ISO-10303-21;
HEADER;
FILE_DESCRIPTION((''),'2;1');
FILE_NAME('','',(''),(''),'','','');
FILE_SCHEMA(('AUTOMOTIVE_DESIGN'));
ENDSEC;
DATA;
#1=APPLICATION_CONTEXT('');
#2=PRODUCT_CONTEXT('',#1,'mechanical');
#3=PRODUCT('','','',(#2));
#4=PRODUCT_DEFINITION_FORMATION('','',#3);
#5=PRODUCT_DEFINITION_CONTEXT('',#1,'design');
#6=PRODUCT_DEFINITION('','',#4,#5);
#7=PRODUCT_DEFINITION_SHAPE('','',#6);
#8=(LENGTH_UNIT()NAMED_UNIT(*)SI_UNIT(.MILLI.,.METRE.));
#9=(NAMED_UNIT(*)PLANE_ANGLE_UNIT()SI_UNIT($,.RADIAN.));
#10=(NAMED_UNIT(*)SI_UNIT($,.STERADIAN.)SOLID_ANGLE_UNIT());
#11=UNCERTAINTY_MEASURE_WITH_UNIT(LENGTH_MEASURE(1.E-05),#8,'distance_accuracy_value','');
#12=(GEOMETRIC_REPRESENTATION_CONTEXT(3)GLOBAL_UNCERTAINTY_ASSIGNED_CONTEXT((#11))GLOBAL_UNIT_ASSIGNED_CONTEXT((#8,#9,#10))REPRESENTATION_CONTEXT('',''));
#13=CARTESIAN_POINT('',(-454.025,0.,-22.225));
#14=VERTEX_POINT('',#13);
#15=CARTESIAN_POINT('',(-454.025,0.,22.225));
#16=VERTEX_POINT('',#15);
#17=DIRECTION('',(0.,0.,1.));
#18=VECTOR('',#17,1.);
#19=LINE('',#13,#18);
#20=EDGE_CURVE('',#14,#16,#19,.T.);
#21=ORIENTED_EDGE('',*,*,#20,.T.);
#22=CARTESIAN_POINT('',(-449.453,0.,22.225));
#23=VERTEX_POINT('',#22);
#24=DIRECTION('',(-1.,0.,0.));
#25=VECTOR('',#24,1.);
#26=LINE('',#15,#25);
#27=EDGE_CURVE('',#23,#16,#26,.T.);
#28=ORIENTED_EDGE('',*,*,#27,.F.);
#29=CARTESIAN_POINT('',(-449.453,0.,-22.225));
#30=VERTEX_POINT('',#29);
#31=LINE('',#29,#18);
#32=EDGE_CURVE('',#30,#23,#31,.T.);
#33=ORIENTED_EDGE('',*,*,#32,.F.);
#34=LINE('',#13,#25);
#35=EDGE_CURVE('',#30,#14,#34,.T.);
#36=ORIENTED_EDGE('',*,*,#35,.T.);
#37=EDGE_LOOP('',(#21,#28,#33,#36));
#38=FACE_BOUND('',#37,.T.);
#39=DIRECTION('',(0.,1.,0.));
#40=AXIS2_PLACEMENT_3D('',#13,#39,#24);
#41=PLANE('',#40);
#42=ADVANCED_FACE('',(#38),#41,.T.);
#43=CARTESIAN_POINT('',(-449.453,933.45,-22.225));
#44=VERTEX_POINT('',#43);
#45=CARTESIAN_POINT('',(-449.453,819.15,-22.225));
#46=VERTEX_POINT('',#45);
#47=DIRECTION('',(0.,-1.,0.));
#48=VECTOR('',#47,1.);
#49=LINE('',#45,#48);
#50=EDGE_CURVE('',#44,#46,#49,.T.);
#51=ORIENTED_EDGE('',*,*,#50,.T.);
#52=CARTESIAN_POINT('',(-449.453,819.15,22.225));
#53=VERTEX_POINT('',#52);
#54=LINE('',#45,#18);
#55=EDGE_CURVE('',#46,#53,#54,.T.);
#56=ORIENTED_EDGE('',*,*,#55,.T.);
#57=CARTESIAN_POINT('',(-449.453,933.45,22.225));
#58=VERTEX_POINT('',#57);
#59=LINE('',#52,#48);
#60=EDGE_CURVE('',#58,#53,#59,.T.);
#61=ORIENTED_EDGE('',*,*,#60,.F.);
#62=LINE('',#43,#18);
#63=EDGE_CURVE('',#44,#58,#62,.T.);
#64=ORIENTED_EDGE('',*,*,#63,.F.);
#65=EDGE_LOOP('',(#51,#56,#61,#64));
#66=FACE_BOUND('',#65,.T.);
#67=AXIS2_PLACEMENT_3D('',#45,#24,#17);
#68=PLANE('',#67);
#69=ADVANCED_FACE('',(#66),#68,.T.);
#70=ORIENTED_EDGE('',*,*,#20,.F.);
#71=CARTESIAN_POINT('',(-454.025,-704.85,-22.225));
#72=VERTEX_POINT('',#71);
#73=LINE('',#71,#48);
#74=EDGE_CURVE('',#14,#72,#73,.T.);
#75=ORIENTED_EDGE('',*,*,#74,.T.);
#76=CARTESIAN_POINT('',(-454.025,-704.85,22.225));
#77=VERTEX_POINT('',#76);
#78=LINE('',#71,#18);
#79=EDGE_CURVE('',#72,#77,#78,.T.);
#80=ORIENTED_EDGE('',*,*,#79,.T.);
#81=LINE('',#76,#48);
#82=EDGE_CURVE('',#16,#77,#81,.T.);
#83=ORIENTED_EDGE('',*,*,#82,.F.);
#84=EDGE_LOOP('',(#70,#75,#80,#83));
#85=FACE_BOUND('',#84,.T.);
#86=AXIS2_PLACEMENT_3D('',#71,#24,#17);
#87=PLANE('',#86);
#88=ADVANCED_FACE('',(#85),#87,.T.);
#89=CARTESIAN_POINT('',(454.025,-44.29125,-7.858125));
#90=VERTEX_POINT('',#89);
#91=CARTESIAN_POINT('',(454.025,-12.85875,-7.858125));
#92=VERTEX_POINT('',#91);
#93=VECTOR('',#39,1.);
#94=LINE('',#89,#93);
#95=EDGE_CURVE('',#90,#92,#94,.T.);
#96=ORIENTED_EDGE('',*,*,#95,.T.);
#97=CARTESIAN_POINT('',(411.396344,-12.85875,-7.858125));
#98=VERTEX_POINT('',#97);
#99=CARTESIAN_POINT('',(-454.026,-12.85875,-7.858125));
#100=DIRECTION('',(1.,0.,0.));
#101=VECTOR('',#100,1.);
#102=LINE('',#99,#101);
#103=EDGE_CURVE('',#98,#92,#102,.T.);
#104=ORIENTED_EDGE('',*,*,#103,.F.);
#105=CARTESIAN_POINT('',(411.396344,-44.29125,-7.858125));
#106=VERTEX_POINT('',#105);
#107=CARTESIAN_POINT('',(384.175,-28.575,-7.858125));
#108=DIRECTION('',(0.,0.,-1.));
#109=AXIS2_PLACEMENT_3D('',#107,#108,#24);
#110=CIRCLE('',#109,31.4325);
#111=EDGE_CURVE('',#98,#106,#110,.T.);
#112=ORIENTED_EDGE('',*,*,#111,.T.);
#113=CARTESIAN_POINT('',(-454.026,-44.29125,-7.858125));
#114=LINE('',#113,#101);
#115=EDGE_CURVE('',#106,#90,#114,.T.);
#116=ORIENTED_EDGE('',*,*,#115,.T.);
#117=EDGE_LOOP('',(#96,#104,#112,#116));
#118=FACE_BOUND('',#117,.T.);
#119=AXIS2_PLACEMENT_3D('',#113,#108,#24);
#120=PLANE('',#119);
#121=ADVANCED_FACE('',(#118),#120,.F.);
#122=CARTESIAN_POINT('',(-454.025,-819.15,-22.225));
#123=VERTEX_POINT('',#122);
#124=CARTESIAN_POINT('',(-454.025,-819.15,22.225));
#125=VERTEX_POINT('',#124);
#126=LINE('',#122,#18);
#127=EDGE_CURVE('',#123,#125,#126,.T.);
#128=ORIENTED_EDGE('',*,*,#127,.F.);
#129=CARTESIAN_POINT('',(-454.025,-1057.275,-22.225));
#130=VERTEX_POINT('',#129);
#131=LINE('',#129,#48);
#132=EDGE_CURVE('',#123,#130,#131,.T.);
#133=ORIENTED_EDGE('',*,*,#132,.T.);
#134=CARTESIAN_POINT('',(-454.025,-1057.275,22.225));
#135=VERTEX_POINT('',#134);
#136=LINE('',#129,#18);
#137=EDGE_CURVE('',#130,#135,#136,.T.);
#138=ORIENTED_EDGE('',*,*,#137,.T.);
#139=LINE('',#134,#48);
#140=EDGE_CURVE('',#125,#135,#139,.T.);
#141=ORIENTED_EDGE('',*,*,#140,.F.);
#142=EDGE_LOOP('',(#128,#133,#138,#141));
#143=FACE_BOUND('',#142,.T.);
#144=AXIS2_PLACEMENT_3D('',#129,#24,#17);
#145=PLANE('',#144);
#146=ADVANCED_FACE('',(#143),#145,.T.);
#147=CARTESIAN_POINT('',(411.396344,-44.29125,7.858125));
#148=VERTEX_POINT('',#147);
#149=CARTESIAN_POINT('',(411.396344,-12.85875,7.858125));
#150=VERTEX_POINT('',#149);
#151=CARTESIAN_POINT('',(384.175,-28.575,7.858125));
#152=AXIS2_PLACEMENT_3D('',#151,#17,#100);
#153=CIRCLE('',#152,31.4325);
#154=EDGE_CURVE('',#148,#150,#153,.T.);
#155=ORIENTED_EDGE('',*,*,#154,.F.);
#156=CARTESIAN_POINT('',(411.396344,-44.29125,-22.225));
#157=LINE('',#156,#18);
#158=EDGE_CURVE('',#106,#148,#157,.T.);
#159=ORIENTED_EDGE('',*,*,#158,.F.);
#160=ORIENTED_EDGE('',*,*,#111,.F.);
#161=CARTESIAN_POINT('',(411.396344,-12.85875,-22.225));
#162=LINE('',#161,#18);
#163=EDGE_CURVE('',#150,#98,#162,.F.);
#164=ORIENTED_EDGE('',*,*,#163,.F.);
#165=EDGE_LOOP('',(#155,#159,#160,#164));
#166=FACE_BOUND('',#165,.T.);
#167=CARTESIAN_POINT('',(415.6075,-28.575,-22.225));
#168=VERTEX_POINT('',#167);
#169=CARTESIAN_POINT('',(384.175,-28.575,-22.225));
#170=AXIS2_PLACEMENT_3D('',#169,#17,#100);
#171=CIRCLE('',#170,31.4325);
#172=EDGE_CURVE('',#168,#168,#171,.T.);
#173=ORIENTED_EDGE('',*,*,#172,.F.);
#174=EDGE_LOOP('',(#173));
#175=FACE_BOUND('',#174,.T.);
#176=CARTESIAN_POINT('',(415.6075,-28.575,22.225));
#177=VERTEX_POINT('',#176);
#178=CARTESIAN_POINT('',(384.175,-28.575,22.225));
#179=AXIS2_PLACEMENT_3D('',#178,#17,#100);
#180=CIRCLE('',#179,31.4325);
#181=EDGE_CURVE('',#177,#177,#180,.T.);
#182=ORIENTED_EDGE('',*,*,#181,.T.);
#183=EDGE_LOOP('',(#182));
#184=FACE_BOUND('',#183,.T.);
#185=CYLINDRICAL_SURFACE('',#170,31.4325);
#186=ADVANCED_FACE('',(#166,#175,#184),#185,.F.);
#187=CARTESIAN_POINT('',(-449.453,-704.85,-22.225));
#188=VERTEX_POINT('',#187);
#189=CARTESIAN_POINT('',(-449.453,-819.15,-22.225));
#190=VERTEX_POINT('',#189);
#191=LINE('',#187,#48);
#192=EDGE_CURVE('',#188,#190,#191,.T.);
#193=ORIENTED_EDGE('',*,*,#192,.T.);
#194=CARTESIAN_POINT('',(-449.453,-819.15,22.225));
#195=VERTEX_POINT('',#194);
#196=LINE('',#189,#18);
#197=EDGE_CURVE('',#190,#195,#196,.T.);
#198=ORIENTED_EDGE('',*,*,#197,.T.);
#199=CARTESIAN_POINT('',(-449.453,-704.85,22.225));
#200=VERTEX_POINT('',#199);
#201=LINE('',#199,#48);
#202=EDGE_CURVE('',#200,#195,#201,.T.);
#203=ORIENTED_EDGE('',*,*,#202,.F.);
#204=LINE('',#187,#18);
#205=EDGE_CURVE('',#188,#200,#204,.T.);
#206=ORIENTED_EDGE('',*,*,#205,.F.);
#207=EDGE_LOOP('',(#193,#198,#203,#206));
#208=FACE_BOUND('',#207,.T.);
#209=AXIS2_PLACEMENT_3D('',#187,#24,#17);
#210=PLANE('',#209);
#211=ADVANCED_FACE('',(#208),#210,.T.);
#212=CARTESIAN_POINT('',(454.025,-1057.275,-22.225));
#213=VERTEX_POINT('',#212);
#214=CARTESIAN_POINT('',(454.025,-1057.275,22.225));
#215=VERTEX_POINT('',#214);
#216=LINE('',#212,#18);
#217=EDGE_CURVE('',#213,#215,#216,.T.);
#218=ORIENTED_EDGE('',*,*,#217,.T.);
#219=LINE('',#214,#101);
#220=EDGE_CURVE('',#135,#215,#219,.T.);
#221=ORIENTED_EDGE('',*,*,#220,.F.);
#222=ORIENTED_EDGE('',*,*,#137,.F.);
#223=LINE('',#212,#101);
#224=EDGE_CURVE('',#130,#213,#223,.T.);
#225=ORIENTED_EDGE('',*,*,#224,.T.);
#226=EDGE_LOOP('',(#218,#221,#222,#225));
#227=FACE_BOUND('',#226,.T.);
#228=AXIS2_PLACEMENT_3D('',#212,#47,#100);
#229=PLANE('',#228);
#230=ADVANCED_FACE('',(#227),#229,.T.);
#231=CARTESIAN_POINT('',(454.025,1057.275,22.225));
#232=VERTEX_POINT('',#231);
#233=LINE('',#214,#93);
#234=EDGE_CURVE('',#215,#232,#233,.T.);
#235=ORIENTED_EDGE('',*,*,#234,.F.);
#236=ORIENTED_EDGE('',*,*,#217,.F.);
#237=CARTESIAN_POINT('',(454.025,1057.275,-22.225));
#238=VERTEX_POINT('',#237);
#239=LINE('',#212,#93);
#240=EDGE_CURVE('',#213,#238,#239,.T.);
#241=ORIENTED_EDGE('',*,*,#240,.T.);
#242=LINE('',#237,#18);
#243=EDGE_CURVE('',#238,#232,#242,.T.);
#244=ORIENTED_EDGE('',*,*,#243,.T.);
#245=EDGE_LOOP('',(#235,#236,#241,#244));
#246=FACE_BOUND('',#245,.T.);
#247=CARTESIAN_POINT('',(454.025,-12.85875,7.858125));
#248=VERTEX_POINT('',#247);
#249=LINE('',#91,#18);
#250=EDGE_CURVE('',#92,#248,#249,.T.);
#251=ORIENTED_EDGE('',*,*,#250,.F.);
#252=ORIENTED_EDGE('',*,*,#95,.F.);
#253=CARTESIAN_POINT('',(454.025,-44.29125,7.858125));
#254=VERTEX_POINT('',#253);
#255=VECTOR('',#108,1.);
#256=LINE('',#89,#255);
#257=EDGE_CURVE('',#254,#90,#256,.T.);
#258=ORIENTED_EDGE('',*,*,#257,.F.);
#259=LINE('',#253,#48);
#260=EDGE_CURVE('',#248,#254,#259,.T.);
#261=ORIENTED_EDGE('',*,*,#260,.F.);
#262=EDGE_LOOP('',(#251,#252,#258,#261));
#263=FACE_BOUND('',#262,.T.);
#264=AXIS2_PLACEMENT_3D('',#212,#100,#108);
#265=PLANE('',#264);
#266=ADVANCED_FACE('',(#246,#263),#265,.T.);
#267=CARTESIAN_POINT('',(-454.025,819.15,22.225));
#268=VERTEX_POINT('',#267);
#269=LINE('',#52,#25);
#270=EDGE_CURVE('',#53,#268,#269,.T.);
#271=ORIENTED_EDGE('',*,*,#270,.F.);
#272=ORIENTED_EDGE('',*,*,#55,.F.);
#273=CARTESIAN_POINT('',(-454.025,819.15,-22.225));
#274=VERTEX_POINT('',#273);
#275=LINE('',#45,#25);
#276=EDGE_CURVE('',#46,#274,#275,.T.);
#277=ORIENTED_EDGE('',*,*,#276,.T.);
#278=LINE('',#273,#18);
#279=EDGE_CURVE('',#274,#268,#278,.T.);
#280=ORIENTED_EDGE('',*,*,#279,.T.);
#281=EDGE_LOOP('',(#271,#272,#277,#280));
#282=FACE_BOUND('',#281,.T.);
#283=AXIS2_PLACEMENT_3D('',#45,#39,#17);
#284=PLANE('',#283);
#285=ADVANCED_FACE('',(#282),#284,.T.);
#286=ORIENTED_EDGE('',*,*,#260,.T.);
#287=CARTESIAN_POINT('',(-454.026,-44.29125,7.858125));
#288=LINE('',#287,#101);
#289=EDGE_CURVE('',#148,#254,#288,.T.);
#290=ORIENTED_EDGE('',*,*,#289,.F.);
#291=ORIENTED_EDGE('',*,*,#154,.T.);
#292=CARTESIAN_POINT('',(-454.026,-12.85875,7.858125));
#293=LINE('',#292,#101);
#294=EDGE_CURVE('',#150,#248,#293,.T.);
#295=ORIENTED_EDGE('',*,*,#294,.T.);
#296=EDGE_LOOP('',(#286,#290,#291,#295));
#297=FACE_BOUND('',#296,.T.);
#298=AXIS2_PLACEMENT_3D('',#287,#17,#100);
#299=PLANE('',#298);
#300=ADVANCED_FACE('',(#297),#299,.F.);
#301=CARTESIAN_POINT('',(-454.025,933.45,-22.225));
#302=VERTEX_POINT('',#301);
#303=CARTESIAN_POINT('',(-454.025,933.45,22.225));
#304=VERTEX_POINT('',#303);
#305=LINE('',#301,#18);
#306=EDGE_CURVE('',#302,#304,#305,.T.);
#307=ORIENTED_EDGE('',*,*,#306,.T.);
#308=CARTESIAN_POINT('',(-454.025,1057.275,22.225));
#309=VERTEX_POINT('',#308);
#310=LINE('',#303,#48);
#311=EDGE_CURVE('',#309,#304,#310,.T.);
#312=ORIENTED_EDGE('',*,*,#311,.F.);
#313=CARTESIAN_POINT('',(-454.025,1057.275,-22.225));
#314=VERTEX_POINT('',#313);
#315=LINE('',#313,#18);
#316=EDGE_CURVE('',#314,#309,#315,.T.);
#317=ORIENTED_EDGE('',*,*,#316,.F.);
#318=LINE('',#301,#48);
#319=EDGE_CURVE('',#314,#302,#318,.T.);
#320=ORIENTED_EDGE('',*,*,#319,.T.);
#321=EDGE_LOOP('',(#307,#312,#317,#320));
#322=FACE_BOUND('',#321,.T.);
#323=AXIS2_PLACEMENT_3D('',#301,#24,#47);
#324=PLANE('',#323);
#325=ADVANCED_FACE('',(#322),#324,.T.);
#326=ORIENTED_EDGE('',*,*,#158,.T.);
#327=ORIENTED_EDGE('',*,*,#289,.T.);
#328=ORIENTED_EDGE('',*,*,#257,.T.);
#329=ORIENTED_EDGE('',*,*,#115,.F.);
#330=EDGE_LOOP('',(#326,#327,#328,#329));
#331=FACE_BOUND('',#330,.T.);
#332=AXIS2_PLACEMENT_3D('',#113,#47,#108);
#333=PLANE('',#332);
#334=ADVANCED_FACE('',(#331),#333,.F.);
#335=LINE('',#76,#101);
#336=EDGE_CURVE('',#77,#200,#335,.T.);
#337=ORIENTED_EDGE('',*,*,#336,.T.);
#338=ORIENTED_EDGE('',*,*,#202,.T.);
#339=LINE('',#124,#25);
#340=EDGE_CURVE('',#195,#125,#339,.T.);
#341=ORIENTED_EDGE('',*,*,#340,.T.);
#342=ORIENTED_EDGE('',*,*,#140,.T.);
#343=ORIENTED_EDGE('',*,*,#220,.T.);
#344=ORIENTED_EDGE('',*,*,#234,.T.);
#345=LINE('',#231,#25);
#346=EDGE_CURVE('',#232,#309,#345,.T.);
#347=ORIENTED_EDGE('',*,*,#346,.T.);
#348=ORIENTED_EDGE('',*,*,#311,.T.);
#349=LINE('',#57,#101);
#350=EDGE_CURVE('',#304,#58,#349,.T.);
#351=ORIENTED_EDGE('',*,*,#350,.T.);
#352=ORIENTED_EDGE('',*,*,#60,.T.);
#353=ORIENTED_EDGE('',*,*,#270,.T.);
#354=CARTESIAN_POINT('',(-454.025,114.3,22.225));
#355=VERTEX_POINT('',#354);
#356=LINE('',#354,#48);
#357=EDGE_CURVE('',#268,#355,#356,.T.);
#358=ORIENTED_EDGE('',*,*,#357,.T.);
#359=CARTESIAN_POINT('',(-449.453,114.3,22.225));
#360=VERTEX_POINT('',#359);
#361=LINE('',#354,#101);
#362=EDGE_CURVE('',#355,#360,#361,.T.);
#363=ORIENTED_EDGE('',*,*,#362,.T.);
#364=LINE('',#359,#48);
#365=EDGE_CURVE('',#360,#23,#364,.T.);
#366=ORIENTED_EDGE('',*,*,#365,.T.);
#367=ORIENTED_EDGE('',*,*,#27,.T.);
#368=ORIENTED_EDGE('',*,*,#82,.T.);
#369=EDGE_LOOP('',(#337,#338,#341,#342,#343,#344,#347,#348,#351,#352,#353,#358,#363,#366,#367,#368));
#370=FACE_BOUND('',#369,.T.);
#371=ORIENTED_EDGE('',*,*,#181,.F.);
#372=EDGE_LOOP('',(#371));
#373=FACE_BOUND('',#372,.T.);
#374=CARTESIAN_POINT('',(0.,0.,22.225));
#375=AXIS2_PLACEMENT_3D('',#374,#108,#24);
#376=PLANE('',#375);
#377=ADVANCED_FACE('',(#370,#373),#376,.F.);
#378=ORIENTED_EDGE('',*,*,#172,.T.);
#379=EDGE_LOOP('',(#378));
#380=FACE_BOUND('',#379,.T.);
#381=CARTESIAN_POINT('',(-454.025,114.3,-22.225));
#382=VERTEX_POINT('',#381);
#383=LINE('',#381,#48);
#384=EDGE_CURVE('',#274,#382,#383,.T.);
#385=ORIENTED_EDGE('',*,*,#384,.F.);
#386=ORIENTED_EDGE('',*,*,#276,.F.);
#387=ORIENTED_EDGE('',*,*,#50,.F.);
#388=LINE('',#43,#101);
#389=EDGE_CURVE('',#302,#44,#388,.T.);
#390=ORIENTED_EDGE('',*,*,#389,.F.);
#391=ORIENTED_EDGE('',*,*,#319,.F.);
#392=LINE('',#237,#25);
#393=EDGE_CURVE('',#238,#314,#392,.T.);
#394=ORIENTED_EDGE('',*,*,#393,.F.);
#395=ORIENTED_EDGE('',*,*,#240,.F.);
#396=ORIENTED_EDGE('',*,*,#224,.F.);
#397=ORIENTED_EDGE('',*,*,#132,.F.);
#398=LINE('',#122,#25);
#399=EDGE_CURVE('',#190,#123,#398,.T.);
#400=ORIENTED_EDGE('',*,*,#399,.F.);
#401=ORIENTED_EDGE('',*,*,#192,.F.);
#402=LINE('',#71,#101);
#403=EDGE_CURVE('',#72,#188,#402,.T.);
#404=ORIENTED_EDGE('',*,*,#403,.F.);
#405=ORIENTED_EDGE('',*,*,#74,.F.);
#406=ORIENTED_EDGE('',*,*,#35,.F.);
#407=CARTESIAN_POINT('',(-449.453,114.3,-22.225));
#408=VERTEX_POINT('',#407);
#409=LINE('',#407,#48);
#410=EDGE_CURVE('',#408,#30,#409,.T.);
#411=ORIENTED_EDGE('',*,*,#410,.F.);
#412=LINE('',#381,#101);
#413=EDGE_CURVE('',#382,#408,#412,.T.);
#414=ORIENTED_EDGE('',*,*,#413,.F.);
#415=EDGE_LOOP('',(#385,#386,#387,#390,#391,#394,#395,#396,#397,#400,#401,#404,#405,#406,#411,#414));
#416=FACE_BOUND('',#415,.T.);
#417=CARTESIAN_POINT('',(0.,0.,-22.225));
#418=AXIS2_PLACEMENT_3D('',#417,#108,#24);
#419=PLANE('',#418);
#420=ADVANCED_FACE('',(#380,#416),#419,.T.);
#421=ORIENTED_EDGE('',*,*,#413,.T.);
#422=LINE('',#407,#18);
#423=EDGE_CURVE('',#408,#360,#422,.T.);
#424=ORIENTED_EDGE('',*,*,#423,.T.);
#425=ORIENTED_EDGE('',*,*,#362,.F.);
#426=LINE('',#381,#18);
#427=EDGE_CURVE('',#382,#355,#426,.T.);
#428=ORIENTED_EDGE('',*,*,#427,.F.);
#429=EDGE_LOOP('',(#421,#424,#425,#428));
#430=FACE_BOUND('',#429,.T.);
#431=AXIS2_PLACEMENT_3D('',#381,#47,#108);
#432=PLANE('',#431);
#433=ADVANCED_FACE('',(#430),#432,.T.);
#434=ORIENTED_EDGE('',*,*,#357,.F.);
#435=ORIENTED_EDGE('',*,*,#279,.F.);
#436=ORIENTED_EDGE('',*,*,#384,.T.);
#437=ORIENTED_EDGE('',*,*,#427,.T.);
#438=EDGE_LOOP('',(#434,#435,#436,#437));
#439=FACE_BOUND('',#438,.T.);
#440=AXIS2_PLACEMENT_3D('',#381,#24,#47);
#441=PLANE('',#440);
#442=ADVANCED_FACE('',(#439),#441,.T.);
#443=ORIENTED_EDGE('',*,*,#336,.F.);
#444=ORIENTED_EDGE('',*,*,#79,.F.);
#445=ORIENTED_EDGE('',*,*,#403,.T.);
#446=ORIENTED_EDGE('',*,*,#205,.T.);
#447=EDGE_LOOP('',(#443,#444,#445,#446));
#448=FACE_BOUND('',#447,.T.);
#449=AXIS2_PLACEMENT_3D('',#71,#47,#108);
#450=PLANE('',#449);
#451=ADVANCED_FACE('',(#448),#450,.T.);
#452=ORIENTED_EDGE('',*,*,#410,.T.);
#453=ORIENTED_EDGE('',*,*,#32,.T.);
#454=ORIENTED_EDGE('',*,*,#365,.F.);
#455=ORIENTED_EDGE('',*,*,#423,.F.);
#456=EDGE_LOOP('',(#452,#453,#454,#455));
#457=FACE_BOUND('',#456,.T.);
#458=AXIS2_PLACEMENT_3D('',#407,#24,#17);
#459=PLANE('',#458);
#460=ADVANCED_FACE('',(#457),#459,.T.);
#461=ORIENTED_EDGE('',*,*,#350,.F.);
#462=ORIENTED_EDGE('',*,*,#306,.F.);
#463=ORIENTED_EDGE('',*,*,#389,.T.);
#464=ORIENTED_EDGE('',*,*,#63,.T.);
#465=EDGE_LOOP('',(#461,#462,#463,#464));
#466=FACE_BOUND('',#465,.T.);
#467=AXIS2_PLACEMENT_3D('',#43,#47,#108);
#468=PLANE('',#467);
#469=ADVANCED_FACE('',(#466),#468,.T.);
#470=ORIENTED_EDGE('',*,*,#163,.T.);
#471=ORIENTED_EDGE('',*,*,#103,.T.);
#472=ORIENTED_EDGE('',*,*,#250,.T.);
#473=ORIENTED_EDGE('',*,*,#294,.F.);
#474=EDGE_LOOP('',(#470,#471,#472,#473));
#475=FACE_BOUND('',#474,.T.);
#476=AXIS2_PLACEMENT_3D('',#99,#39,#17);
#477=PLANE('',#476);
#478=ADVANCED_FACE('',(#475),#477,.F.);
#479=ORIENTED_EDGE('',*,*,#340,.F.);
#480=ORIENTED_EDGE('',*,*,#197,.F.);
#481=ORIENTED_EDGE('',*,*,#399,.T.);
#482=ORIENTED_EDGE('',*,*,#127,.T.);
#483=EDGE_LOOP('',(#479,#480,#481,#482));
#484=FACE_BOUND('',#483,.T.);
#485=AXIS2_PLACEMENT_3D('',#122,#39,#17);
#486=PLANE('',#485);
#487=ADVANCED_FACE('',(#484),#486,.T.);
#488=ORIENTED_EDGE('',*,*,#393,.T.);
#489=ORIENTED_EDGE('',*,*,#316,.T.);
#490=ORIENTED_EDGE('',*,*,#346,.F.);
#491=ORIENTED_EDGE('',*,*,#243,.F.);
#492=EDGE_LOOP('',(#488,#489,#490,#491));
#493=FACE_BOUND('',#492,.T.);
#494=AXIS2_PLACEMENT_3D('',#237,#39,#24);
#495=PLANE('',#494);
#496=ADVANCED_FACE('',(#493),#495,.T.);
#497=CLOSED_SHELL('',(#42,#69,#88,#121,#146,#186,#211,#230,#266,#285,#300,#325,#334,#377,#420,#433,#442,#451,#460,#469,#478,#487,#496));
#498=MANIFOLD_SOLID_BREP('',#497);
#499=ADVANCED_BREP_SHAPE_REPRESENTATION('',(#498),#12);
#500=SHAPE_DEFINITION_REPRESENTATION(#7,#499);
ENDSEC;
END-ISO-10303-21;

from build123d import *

# Parameters (mm, degrees)
BOSS_EXTRUDE1_DEPTH      = 22.225
BOSS_EXTRUDE1_DEPTH_BACK = 22.225
SKETCH3_R                = 31.4325
CUT_EXTRUDE1_REACH       = 1395.872
CUT_EXTRUDE1_END_RADIUS  = 31.4325
SKETCH4_W                = 15.71625
SKETCH4_H                = 31.4325


with BuildPart() as part:
    # Sketch3 → Boss-Extrude1 (new, two sides: drawn at the far end of the back side and taken through both)
    with BuildSketch(Plane.XY.offset(-BOSS_EXTRUDE1_DEPTH_BACK)):
        Polygon((454.025, -1057.275), (454.025, 1057.275), (-454.025, 1057.275), (-454.025, 933.45), (-449.453, 933.45), (-449.453, 819.15), (-454.025, 819.15), (-454.025, 114.3), (-449.453, 114.3), (-449.453, 0), (-454.025, 0), (-454.025, -704.85), (-449.453, -704.85), (-449.453, -819.15), (-454.025, -819.15), (-454.025, -1057.275), align=None)
        with Locations((384.175, -28.575)):
            Circle(SKETCH3_R, mode=Mode.SUBTRACT)
    extrude(amount=BOSS_EXTRUDE1_DEPTH + BOSS_EXTRUDE1_DEPTH_BACK)

    # Cut-Extrude1: up to this cylinder (the profile starts outside it)
    cut_extrude1_end = Plane(origin=(384.175, -28.575, 0), z_dir=(0, 0, 1)) * Cylinder(CUT_EXTRUDE1_END_RADIUS, 2855.609, mode=Mode.PRIVATE)
    # Sketch4 → Cut-Extrude1 (cut, up to the surface)
    with BuildSketch(Plane(origin=(454.025, 0, 0), x_dir=(0, 0, -1), z_dir=(1, 0, 0)), mode=Mode.PRIVATE) as cut_extrude1_sk1:
        with Locations((0, -28.575)):
            Rectangle(SKETCH4_W, SKETCH4_H)
    cut_extrude1_tool1 = extrude(cut_extrude1_sk1.sketch, amount=-CUT_EXTRUDE1_REACH, mode=Mode.PRIVATE) - cut_extrude1_end
    add(cut_extrude1_tool1.solids().sort_by_distance((454.025, -28.575, 0))[0], mode=Mode.SUBTRACT)


solid = part.part
